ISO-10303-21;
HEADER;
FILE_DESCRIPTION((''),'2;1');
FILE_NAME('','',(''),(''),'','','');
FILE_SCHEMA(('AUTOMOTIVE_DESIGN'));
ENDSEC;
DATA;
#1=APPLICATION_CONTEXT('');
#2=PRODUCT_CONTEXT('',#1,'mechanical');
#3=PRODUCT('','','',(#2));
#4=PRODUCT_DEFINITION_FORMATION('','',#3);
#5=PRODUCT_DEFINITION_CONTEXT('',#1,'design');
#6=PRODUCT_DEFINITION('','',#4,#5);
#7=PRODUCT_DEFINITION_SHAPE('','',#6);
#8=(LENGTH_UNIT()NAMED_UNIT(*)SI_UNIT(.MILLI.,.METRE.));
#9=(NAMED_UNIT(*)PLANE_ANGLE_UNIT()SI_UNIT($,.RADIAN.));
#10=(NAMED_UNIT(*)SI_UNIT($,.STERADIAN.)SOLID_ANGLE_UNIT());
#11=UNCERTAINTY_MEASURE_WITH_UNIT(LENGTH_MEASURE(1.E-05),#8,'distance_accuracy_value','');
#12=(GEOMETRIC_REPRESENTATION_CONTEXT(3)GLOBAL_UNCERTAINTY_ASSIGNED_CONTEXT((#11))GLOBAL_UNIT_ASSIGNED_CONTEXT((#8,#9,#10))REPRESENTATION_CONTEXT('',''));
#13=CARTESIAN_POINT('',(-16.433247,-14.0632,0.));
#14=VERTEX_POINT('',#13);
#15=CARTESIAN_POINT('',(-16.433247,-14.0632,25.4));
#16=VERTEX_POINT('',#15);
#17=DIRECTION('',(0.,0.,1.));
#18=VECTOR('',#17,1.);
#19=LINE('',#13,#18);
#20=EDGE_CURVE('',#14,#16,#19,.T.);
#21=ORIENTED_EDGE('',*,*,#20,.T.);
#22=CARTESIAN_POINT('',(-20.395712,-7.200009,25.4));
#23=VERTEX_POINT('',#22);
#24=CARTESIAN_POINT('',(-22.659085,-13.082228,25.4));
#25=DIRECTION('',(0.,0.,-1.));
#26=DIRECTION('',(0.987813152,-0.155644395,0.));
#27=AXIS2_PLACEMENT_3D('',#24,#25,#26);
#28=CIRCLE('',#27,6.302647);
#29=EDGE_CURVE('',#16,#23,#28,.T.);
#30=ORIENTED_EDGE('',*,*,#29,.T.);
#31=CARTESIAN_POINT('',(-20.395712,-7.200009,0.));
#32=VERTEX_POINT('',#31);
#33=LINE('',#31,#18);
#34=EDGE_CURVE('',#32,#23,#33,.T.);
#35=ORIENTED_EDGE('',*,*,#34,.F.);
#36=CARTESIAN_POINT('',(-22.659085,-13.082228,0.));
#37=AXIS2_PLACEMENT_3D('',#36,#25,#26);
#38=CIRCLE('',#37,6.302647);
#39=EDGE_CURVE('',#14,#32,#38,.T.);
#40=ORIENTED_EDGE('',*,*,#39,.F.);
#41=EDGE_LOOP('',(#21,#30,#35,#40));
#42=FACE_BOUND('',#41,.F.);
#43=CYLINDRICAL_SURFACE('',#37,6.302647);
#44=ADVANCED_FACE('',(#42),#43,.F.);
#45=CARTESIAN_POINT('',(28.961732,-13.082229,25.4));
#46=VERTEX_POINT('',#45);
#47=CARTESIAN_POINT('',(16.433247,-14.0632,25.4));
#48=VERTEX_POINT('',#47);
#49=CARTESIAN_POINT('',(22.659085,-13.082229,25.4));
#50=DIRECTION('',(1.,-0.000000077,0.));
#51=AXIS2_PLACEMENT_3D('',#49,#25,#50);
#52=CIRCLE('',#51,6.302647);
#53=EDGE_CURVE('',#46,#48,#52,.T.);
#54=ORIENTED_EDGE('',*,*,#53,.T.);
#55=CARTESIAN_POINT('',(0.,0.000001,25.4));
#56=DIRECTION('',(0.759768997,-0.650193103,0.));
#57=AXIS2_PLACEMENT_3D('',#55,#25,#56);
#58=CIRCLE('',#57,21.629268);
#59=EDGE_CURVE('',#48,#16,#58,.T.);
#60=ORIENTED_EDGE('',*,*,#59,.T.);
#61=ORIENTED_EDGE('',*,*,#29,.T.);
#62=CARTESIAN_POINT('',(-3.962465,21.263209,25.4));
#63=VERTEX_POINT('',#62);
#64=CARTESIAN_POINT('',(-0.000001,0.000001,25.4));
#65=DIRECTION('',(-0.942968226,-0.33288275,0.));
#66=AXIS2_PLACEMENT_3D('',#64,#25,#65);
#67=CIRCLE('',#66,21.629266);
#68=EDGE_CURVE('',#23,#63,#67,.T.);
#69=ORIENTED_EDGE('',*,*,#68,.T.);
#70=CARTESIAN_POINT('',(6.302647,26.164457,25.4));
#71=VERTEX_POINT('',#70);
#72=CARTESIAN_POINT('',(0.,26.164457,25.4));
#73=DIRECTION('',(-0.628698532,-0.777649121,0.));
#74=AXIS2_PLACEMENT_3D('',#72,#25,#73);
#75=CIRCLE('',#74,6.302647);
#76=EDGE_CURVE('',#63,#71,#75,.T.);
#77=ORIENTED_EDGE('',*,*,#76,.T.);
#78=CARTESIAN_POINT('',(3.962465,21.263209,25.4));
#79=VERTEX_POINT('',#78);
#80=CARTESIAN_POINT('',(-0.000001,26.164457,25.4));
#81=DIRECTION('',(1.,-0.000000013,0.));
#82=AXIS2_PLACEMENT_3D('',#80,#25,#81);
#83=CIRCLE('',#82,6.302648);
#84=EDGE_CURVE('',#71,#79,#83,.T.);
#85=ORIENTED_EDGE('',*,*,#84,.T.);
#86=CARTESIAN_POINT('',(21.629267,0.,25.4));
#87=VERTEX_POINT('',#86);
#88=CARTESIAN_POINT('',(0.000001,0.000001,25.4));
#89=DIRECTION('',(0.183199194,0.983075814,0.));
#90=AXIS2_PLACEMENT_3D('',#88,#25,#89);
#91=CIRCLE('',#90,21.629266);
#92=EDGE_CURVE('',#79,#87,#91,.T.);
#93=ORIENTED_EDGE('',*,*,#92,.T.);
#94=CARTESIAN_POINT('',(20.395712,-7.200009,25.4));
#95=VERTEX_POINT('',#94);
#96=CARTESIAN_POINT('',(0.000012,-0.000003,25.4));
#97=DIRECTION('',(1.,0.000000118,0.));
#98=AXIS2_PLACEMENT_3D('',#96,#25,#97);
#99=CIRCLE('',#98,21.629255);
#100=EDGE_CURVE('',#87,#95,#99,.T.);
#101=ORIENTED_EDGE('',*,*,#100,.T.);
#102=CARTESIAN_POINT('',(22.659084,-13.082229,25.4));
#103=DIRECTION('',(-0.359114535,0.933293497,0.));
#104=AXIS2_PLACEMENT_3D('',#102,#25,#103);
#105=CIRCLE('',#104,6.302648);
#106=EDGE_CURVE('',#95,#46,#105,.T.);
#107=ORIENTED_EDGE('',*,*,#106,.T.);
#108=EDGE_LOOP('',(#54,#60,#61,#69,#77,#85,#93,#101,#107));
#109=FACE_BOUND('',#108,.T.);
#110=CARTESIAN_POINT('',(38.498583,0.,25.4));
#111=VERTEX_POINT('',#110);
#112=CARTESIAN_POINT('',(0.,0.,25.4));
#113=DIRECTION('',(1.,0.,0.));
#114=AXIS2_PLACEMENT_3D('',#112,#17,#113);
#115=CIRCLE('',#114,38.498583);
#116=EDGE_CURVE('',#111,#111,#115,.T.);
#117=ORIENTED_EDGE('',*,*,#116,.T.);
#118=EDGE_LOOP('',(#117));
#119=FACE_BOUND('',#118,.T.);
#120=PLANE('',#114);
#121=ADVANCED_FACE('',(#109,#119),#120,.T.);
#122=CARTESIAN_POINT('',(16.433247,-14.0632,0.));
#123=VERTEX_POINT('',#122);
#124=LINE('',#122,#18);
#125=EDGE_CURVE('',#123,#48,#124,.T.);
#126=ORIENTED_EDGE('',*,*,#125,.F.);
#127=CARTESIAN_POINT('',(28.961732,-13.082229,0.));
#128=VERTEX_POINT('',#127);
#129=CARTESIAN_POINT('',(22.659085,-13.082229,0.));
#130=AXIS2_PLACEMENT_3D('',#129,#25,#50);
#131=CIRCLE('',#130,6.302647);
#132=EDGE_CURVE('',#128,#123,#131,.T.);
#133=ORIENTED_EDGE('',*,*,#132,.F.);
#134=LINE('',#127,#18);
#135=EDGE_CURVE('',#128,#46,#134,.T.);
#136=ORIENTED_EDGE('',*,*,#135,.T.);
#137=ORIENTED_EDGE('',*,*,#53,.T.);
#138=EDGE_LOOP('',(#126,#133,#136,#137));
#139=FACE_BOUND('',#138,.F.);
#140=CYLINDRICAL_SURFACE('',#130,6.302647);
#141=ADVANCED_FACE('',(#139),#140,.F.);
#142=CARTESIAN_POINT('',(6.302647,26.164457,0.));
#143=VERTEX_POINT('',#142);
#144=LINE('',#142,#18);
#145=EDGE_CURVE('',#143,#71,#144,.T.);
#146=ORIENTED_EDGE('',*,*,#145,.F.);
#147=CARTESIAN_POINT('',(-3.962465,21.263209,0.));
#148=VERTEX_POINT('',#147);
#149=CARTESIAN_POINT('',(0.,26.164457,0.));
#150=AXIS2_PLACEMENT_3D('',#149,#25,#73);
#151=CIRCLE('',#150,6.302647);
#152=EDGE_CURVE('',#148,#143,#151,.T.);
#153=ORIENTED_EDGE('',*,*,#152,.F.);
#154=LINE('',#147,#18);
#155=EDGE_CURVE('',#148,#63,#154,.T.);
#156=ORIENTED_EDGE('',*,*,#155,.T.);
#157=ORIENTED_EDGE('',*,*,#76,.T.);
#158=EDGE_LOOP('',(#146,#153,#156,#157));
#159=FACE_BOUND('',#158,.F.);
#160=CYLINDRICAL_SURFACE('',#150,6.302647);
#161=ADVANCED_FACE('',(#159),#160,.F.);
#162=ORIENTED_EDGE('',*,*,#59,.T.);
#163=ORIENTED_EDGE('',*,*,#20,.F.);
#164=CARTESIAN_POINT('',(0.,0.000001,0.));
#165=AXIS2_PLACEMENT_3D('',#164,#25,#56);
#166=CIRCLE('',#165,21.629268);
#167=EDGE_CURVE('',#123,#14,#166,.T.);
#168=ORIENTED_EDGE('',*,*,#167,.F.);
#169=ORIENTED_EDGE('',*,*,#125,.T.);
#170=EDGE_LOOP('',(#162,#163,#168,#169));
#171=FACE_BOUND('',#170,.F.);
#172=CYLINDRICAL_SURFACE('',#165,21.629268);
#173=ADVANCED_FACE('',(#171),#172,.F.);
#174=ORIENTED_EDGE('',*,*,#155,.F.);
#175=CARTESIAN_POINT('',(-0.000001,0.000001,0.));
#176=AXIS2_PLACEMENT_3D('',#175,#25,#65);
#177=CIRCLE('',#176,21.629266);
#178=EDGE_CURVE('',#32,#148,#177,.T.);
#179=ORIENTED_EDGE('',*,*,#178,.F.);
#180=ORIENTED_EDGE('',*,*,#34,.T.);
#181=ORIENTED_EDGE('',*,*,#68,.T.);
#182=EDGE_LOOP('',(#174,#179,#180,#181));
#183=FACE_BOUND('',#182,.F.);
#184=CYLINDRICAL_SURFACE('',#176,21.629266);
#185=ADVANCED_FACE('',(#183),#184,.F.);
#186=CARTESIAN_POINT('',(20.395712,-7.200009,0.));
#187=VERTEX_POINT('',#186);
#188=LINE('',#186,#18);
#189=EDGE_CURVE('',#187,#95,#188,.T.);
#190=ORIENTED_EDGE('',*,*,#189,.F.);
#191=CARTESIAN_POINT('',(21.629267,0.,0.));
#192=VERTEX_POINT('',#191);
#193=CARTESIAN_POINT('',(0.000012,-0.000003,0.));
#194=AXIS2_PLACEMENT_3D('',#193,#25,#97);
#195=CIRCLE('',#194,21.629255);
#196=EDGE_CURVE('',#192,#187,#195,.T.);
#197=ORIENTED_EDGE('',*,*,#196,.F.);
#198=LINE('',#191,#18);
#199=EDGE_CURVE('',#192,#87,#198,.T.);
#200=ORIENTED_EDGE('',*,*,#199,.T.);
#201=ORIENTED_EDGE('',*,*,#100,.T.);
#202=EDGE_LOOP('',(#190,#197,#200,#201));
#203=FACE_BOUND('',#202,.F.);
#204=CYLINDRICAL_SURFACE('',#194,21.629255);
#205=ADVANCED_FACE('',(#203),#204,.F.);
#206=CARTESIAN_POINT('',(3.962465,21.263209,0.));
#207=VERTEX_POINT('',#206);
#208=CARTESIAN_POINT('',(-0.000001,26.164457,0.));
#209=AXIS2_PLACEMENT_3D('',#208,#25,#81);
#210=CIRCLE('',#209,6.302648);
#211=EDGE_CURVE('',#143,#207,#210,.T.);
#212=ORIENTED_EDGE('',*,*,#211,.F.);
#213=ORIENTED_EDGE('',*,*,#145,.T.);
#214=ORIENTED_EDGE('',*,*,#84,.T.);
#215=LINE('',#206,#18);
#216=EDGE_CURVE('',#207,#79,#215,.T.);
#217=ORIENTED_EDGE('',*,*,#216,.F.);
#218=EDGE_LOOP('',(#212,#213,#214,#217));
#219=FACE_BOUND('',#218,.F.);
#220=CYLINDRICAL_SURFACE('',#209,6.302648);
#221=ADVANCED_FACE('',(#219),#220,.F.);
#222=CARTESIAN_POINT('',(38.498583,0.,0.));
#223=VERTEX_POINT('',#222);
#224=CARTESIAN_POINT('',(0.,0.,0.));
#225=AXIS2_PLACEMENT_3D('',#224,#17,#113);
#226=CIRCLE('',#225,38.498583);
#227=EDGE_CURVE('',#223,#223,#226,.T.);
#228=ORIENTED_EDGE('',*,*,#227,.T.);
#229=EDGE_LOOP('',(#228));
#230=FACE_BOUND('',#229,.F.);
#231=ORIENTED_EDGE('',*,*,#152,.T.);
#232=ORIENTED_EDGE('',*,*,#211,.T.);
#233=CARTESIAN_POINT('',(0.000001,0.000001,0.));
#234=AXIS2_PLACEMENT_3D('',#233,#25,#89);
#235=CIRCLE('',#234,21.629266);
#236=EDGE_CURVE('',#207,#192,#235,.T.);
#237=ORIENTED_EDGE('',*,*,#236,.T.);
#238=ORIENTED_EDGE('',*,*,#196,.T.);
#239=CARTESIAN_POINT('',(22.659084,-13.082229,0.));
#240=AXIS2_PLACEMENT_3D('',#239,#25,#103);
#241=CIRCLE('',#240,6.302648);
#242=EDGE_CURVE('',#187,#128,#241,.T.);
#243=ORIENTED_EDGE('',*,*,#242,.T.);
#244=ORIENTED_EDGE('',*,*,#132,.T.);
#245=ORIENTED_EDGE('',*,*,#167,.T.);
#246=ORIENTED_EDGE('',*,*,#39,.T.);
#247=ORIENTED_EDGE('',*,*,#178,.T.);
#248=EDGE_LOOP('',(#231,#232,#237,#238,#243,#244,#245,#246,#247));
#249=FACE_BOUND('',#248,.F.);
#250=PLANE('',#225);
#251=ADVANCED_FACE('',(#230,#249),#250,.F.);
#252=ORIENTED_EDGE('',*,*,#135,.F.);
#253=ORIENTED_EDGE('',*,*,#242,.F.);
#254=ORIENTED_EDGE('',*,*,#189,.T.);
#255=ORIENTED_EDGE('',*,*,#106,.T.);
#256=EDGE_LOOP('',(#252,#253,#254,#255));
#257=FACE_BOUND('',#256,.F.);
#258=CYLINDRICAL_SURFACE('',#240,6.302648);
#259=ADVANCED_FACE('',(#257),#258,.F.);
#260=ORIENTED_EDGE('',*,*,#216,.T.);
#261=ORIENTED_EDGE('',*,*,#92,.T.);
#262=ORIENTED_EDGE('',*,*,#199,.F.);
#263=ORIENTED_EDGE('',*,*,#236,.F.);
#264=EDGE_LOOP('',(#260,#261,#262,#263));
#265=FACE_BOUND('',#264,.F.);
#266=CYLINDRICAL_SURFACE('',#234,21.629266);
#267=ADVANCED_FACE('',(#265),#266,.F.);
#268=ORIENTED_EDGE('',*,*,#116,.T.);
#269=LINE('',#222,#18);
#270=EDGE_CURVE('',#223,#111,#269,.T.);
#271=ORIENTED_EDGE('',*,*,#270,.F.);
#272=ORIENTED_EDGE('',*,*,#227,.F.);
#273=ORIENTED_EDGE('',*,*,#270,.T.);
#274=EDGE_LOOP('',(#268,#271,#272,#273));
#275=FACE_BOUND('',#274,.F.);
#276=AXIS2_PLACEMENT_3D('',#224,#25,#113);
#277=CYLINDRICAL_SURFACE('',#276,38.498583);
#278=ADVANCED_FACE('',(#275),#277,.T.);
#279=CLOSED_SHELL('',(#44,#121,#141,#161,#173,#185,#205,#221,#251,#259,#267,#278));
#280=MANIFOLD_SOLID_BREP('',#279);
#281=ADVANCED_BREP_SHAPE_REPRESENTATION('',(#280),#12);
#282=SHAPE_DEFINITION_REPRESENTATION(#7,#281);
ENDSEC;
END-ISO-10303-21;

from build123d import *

# Parameters (mm, degrees)
F0_R     = 38.498583
F1_DEPTH = 25.4


with BuildPart() as f1:
    # F0 (on Top) → F1 (new body)
    with BuildSketch(Plane.XY):
        Circle(F0_R)
        with BuildLine():
            ThreePointArc((-3.962465, 21.263209), (-2.715634, 31.852048), (6.302647, 26.164457))
            ThreePointArc((6.302647, 26.164457), (5.687591, 23.448823), (3.962465, 21.263209))
            ThreePointArc((3.962465, 21.263209), (16.636262, 13.822445), (21.629267, 0))
            ThreePointArc((21.629267, 0), (21.318648, -3.652458), (20.395712, -7.200009))
            ThreePointArc((20.395712, -7.200009), (26.226866, -7.886625), (28.961732, -13.082229))
            ThreePointArc((28.961732, -13.082229), (23.151072, -19.365644), (16.433247, -14.0632))
            ThreePointArc((16.433247, -14.0632), (0, -21.629267), (-16.433247, -14.0632))
            ThreePointArc((-16.433247, -14.0632), (-28.117337, -16.233552), (-20.395712, -7.200009))
            ThreePointArc((-20.395712, -7.200009), (-18.731495, 10.814634), (-3.962465, 21.263209))
        make_face(mode=Mode.SUBTRACT)
    extrude(amount=F1_DEPTH)


solid = f1.part
